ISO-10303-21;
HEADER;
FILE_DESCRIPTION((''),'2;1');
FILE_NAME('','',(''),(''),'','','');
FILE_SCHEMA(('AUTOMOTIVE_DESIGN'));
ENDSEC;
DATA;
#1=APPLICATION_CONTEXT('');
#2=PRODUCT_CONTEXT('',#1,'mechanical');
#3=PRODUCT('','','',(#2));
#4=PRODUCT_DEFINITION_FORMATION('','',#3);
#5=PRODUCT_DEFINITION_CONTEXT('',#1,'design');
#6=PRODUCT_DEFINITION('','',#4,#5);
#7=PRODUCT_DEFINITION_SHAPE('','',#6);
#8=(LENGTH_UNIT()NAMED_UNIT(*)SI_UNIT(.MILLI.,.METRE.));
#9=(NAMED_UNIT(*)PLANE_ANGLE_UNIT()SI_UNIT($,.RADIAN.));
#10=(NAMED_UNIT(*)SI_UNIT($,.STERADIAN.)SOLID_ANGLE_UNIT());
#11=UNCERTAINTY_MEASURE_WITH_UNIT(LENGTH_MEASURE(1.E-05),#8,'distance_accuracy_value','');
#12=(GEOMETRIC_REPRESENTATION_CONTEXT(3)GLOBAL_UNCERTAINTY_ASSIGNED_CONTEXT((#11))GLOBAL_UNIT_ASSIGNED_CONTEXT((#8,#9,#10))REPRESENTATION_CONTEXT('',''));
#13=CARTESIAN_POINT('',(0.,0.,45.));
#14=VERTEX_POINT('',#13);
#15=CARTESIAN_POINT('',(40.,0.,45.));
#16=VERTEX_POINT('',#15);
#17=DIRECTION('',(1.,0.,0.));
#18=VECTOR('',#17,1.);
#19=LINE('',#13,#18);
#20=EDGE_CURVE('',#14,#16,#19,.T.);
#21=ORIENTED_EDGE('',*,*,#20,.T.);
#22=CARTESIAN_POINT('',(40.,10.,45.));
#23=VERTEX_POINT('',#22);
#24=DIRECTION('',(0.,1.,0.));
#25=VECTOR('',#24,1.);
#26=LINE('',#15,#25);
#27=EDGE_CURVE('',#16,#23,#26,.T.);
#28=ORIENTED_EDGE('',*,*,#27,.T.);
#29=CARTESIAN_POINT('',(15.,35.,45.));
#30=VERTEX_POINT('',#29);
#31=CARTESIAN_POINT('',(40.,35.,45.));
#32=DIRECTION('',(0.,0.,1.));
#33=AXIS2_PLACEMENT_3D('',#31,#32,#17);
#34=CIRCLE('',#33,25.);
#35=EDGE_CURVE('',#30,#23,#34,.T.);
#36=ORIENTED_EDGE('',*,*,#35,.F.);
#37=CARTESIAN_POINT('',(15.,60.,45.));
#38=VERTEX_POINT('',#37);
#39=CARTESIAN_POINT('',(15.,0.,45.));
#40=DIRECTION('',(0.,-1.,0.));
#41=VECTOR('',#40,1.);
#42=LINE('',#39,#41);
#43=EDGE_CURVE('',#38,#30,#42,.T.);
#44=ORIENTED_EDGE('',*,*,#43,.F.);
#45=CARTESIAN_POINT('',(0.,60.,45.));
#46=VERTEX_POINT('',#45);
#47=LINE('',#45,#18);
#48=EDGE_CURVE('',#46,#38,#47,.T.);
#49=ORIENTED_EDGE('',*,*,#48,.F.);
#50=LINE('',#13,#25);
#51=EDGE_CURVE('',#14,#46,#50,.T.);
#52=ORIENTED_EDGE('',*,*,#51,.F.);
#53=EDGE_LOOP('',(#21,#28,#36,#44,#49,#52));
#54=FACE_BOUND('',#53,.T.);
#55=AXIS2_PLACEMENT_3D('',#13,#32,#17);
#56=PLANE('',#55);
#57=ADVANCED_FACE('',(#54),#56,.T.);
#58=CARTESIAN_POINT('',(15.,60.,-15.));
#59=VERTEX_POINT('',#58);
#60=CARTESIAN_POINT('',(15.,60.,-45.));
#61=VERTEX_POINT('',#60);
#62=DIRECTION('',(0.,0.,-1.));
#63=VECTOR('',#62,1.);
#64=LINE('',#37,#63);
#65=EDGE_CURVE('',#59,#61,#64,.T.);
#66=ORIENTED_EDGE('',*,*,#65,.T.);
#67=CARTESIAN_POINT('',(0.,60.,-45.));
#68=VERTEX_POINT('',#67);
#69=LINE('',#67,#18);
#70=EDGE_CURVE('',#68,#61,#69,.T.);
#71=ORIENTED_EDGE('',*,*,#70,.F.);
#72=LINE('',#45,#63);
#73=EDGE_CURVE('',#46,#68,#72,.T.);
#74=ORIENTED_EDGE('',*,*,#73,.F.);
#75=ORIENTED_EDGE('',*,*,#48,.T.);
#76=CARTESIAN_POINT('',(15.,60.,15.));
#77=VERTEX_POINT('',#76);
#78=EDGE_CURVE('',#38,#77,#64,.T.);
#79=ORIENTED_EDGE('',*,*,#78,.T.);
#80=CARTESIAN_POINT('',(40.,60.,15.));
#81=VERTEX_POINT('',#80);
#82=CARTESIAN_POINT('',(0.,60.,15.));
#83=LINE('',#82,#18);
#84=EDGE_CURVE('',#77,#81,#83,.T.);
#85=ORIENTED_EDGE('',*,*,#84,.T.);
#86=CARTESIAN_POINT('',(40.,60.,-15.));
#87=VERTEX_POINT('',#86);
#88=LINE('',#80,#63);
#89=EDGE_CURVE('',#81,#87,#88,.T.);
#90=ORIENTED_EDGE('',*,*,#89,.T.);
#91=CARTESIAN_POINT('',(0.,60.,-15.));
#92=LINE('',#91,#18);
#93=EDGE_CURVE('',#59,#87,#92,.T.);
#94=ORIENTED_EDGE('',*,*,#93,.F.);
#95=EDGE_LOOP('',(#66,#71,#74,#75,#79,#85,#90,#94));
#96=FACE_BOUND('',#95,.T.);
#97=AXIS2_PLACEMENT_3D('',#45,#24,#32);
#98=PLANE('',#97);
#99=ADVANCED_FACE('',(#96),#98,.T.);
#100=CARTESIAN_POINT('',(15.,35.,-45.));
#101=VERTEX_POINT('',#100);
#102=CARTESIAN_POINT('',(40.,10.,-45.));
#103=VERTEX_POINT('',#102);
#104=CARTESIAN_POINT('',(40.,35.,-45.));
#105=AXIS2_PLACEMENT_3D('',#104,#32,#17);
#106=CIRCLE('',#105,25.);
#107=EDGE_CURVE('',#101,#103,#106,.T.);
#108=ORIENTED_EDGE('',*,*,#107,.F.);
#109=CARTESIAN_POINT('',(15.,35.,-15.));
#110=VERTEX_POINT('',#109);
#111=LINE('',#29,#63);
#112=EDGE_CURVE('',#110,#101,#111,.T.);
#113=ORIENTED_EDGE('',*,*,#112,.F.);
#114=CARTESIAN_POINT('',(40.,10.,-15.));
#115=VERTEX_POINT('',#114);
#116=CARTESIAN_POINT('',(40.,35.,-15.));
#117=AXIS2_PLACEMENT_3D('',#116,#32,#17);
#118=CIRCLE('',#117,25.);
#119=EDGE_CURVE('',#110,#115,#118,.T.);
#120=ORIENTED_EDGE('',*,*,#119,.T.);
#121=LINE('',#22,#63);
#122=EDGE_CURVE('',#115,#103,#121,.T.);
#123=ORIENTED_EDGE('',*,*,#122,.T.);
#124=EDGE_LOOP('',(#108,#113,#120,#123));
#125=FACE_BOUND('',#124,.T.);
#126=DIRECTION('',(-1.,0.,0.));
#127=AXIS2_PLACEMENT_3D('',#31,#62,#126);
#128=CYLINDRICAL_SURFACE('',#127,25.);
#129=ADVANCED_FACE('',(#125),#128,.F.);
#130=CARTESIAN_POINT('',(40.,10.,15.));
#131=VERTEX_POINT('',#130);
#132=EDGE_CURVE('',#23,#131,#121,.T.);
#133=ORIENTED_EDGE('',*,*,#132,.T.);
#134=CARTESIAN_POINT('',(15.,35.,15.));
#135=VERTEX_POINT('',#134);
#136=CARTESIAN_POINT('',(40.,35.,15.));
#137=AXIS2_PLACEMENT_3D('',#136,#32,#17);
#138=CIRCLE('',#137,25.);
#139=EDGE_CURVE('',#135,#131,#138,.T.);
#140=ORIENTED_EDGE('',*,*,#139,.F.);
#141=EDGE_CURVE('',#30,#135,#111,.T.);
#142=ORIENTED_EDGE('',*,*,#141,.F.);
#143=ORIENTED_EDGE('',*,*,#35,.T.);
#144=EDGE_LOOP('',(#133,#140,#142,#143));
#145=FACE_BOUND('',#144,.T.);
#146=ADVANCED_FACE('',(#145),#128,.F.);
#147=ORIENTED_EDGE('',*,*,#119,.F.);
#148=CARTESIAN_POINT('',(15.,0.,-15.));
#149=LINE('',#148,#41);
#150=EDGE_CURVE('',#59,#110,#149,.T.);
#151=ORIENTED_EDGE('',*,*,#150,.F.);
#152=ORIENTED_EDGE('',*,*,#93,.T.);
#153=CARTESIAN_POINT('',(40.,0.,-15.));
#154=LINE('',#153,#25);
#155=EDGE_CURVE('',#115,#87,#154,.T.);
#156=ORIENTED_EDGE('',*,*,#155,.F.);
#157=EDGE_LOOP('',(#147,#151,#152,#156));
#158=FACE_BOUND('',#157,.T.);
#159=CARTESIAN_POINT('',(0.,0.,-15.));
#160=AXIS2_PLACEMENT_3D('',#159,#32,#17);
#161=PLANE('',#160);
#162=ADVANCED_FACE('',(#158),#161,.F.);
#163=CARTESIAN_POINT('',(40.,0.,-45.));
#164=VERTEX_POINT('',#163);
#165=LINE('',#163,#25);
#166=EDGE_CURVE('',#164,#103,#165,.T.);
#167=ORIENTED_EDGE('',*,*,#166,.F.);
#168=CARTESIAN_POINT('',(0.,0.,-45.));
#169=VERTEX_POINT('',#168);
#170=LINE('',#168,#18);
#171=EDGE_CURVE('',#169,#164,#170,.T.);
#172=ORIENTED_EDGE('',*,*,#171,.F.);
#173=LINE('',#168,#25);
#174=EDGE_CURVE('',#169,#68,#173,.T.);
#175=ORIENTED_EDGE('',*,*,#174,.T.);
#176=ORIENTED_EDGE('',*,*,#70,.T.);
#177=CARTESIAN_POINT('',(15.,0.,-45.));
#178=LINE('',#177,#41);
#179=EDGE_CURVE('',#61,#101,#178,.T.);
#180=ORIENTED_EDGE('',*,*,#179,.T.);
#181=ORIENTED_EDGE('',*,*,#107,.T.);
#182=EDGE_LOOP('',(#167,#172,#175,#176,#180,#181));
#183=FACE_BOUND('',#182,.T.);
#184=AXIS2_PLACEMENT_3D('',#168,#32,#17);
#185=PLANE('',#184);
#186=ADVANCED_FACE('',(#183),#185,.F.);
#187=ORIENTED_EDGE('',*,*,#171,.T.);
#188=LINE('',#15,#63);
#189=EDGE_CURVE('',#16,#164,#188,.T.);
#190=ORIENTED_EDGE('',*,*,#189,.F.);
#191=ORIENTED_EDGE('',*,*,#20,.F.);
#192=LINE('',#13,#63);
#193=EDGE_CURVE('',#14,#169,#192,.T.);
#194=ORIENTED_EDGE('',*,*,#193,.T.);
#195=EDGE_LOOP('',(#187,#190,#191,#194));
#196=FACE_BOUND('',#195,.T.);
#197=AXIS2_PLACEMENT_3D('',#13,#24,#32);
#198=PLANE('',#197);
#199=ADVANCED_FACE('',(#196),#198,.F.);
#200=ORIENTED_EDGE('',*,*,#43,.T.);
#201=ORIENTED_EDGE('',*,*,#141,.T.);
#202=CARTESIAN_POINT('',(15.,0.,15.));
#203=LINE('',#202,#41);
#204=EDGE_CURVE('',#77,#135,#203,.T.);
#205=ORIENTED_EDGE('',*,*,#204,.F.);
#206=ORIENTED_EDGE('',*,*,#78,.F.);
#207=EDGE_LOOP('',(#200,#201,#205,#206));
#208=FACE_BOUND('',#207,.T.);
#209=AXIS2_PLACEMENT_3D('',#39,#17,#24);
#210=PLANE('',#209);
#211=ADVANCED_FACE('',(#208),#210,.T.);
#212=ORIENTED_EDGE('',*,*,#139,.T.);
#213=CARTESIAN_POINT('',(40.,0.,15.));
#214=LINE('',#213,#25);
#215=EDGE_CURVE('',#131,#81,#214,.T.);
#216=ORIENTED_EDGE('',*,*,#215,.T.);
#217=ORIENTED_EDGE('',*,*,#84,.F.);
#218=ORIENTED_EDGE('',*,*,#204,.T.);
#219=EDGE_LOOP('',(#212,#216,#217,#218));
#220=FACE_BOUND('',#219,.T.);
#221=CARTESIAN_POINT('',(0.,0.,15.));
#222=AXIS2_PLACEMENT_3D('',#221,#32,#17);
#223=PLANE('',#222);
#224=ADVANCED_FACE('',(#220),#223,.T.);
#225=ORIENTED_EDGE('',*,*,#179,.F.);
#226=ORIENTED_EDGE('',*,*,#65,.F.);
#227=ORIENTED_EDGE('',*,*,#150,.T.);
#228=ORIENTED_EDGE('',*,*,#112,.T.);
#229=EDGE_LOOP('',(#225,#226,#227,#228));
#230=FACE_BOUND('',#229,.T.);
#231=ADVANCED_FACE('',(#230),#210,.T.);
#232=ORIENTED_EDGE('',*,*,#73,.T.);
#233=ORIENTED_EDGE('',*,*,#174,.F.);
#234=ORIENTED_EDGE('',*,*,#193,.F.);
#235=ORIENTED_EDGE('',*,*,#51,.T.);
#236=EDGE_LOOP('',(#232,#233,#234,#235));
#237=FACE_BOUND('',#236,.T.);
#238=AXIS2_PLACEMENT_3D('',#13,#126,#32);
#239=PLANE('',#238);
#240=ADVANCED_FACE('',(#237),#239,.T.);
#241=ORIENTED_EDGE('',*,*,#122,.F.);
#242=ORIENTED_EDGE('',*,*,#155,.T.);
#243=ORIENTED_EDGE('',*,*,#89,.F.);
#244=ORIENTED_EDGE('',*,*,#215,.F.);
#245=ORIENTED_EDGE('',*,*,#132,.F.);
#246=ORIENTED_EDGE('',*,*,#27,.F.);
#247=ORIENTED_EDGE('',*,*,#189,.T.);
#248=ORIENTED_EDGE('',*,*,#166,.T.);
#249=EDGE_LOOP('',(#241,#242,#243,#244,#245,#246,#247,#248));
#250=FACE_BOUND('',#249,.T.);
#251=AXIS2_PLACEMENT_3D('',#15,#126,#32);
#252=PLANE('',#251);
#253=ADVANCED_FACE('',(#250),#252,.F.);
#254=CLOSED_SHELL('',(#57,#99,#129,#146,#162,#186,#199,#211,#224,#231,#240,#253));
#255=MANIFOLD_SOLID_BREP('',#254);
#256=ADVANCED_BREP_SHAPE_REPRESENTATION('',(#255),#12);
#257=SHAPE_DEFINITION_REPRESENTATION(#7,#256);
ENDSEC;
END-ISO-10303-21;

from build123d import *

# Parameters (mm, degrees)
BOSS_EXTRUDE1_DEPTH = 45
BOSS_EXTRUDE2_DEPTH = 15


with BuildPart() as part:
    # Sketch1 → Boss-Extrude1 (new, symmetric)
    with BuildSketch(Plane.XY):
        with BuildLine():
            Line((0, 0), (40, 0))
            Line((40, 0), (40, 10))
            ThreePointArc((40, 10), (22.32233047, 17.32233047), (15, 35))
            Line((15, 35), (15, 60))
            Line((15, 60), (0, 60))
            Line((0, 60), (0, 0))
        make_face()
    extrude(amount=BOSS_EXTRUDE1_DEPTH, both=True)

    # Sketch1<3> → Boss-Extrude2 (add, symmetric)
    with BuildSketch(Plane.XY):
        with BuildLine():
            ThreePointArc((15, 35), (22.32233047, 17.32233047), (40, 10))
            Line((40, 10), (40, 60))
            Line((40, 60), (15, 60))
            Line((15, 60), (15, 35))
        make_face()
    extrude(amount=BOSS_EXTRUDE2_DEPTH, both=True)


solid = part.part
